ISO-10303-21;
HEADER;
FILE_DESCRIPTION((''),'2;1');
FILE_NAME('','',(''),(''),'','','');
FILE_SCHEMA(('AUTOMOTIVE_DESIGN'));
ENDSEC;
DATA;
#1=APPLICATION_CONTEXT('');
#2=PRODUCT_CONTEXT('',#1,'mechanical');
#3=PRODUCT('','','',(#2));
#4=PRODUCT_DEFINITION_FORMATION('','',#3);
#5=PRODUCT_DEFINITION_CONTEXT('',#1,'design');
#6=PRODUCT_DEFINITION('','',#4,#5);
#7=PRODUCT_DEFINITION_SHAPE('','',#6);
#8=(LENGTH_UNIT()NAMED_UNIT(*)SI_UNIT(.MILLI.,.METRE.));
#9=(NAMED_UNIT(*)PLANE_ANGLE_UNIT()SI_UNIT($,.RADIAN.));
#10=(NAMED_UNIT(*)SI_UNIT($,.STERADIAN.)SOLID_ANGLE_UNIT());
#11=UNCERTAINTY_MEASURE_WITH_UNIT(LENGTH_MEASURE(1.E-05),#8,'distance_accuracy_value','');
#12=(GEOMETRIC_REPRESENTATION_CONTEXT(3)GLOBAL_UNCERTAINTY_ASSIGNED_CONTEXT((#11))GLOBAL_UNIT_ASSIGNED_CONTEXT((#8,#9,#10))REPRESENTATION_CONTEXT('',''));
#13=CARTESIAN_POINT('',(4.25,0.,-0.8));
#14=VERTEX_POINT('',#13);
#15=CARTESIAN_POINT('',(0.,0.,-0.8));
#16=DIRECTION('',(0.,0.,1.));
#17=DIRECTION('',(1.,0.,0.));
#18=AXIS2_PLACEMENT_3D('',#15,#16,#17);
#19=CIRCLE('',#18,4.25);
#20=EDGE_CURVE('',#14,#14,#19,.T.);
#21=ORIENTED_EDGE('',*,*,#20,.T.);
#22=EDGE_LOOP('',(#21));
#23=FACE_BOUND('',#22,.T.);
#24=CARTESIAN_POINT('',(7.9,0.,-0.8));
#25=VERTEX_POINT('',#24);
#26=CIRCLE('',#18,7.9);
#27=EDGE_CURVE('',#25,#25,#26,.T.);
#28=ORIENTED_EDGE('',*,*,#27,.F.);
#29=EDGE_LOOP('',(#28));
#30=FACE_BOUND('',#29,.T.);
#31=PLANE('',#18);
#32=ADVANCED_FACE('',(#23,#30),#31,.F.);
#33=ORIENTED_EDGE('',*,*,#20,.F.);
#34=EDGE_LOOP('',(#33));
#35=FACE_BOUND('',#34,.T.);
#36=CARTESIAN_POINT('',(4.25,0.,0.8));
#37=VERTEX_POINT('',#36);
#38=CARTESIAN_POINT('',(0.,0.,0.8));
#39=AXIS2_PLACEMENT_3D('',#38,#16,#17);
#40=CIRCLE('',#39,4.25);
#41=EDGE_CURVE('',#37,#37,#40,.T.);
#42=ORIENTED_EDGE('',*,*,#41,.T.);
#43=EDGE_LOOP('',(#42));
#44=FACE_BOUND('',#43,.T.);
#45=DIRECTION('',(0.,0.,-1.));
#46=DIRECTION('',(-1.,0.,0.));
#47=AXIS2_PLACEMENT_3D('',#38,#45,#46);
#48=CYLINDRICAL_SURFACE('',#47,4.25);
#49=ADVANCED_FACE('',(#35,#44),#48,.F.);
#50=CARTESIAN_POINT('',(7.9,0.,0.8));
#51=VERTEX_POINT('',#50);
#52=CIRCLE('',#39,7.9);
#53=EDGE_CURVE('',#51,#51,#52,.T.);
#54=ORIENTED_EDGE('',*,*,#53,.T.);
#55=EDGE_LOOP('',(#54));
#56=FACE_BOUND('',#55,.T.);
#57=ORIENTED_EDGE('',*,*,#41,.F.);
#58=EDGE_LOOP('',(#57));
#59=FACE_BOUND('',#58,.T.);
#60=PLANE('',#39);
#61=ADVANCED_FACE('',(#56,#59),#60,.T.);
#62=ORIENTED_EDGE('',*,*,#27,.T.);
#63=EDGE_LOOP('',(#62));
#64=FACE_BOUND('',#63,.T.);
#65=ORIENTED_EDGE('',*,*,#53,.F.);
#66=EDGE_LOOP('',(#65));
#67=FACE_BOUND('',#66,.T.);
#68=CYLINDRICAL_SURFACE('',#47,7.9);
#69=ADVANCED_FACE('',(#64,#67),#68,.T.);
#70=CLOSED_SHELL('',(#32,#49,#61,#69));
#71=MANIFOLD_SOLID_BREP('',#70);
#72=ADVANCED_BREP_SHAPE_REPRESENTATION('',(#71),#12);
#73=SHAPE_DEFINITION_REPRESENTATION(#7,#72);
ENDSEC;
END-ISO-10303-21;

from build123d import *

# Parameters (mm, degrees)
SKETCH3_R           = 7.9
SKETCH3_R_2         = 4.25
BOSS_EXTRUDE1_DEPTH = 0.8


with BuildPart() as part:
    # Sketch3 → Boss-Extrude1 (new, symmetric)
    with BuildSketch(Plane.XY):
        Circle(SKETCH3_R)
        Circle(SKETCH3_R_2, mode=Mode.SUBTRACT)
    extrude(amount=BOSS_EXTRUDE1_DEPTH, both=True)


solid = part.part
